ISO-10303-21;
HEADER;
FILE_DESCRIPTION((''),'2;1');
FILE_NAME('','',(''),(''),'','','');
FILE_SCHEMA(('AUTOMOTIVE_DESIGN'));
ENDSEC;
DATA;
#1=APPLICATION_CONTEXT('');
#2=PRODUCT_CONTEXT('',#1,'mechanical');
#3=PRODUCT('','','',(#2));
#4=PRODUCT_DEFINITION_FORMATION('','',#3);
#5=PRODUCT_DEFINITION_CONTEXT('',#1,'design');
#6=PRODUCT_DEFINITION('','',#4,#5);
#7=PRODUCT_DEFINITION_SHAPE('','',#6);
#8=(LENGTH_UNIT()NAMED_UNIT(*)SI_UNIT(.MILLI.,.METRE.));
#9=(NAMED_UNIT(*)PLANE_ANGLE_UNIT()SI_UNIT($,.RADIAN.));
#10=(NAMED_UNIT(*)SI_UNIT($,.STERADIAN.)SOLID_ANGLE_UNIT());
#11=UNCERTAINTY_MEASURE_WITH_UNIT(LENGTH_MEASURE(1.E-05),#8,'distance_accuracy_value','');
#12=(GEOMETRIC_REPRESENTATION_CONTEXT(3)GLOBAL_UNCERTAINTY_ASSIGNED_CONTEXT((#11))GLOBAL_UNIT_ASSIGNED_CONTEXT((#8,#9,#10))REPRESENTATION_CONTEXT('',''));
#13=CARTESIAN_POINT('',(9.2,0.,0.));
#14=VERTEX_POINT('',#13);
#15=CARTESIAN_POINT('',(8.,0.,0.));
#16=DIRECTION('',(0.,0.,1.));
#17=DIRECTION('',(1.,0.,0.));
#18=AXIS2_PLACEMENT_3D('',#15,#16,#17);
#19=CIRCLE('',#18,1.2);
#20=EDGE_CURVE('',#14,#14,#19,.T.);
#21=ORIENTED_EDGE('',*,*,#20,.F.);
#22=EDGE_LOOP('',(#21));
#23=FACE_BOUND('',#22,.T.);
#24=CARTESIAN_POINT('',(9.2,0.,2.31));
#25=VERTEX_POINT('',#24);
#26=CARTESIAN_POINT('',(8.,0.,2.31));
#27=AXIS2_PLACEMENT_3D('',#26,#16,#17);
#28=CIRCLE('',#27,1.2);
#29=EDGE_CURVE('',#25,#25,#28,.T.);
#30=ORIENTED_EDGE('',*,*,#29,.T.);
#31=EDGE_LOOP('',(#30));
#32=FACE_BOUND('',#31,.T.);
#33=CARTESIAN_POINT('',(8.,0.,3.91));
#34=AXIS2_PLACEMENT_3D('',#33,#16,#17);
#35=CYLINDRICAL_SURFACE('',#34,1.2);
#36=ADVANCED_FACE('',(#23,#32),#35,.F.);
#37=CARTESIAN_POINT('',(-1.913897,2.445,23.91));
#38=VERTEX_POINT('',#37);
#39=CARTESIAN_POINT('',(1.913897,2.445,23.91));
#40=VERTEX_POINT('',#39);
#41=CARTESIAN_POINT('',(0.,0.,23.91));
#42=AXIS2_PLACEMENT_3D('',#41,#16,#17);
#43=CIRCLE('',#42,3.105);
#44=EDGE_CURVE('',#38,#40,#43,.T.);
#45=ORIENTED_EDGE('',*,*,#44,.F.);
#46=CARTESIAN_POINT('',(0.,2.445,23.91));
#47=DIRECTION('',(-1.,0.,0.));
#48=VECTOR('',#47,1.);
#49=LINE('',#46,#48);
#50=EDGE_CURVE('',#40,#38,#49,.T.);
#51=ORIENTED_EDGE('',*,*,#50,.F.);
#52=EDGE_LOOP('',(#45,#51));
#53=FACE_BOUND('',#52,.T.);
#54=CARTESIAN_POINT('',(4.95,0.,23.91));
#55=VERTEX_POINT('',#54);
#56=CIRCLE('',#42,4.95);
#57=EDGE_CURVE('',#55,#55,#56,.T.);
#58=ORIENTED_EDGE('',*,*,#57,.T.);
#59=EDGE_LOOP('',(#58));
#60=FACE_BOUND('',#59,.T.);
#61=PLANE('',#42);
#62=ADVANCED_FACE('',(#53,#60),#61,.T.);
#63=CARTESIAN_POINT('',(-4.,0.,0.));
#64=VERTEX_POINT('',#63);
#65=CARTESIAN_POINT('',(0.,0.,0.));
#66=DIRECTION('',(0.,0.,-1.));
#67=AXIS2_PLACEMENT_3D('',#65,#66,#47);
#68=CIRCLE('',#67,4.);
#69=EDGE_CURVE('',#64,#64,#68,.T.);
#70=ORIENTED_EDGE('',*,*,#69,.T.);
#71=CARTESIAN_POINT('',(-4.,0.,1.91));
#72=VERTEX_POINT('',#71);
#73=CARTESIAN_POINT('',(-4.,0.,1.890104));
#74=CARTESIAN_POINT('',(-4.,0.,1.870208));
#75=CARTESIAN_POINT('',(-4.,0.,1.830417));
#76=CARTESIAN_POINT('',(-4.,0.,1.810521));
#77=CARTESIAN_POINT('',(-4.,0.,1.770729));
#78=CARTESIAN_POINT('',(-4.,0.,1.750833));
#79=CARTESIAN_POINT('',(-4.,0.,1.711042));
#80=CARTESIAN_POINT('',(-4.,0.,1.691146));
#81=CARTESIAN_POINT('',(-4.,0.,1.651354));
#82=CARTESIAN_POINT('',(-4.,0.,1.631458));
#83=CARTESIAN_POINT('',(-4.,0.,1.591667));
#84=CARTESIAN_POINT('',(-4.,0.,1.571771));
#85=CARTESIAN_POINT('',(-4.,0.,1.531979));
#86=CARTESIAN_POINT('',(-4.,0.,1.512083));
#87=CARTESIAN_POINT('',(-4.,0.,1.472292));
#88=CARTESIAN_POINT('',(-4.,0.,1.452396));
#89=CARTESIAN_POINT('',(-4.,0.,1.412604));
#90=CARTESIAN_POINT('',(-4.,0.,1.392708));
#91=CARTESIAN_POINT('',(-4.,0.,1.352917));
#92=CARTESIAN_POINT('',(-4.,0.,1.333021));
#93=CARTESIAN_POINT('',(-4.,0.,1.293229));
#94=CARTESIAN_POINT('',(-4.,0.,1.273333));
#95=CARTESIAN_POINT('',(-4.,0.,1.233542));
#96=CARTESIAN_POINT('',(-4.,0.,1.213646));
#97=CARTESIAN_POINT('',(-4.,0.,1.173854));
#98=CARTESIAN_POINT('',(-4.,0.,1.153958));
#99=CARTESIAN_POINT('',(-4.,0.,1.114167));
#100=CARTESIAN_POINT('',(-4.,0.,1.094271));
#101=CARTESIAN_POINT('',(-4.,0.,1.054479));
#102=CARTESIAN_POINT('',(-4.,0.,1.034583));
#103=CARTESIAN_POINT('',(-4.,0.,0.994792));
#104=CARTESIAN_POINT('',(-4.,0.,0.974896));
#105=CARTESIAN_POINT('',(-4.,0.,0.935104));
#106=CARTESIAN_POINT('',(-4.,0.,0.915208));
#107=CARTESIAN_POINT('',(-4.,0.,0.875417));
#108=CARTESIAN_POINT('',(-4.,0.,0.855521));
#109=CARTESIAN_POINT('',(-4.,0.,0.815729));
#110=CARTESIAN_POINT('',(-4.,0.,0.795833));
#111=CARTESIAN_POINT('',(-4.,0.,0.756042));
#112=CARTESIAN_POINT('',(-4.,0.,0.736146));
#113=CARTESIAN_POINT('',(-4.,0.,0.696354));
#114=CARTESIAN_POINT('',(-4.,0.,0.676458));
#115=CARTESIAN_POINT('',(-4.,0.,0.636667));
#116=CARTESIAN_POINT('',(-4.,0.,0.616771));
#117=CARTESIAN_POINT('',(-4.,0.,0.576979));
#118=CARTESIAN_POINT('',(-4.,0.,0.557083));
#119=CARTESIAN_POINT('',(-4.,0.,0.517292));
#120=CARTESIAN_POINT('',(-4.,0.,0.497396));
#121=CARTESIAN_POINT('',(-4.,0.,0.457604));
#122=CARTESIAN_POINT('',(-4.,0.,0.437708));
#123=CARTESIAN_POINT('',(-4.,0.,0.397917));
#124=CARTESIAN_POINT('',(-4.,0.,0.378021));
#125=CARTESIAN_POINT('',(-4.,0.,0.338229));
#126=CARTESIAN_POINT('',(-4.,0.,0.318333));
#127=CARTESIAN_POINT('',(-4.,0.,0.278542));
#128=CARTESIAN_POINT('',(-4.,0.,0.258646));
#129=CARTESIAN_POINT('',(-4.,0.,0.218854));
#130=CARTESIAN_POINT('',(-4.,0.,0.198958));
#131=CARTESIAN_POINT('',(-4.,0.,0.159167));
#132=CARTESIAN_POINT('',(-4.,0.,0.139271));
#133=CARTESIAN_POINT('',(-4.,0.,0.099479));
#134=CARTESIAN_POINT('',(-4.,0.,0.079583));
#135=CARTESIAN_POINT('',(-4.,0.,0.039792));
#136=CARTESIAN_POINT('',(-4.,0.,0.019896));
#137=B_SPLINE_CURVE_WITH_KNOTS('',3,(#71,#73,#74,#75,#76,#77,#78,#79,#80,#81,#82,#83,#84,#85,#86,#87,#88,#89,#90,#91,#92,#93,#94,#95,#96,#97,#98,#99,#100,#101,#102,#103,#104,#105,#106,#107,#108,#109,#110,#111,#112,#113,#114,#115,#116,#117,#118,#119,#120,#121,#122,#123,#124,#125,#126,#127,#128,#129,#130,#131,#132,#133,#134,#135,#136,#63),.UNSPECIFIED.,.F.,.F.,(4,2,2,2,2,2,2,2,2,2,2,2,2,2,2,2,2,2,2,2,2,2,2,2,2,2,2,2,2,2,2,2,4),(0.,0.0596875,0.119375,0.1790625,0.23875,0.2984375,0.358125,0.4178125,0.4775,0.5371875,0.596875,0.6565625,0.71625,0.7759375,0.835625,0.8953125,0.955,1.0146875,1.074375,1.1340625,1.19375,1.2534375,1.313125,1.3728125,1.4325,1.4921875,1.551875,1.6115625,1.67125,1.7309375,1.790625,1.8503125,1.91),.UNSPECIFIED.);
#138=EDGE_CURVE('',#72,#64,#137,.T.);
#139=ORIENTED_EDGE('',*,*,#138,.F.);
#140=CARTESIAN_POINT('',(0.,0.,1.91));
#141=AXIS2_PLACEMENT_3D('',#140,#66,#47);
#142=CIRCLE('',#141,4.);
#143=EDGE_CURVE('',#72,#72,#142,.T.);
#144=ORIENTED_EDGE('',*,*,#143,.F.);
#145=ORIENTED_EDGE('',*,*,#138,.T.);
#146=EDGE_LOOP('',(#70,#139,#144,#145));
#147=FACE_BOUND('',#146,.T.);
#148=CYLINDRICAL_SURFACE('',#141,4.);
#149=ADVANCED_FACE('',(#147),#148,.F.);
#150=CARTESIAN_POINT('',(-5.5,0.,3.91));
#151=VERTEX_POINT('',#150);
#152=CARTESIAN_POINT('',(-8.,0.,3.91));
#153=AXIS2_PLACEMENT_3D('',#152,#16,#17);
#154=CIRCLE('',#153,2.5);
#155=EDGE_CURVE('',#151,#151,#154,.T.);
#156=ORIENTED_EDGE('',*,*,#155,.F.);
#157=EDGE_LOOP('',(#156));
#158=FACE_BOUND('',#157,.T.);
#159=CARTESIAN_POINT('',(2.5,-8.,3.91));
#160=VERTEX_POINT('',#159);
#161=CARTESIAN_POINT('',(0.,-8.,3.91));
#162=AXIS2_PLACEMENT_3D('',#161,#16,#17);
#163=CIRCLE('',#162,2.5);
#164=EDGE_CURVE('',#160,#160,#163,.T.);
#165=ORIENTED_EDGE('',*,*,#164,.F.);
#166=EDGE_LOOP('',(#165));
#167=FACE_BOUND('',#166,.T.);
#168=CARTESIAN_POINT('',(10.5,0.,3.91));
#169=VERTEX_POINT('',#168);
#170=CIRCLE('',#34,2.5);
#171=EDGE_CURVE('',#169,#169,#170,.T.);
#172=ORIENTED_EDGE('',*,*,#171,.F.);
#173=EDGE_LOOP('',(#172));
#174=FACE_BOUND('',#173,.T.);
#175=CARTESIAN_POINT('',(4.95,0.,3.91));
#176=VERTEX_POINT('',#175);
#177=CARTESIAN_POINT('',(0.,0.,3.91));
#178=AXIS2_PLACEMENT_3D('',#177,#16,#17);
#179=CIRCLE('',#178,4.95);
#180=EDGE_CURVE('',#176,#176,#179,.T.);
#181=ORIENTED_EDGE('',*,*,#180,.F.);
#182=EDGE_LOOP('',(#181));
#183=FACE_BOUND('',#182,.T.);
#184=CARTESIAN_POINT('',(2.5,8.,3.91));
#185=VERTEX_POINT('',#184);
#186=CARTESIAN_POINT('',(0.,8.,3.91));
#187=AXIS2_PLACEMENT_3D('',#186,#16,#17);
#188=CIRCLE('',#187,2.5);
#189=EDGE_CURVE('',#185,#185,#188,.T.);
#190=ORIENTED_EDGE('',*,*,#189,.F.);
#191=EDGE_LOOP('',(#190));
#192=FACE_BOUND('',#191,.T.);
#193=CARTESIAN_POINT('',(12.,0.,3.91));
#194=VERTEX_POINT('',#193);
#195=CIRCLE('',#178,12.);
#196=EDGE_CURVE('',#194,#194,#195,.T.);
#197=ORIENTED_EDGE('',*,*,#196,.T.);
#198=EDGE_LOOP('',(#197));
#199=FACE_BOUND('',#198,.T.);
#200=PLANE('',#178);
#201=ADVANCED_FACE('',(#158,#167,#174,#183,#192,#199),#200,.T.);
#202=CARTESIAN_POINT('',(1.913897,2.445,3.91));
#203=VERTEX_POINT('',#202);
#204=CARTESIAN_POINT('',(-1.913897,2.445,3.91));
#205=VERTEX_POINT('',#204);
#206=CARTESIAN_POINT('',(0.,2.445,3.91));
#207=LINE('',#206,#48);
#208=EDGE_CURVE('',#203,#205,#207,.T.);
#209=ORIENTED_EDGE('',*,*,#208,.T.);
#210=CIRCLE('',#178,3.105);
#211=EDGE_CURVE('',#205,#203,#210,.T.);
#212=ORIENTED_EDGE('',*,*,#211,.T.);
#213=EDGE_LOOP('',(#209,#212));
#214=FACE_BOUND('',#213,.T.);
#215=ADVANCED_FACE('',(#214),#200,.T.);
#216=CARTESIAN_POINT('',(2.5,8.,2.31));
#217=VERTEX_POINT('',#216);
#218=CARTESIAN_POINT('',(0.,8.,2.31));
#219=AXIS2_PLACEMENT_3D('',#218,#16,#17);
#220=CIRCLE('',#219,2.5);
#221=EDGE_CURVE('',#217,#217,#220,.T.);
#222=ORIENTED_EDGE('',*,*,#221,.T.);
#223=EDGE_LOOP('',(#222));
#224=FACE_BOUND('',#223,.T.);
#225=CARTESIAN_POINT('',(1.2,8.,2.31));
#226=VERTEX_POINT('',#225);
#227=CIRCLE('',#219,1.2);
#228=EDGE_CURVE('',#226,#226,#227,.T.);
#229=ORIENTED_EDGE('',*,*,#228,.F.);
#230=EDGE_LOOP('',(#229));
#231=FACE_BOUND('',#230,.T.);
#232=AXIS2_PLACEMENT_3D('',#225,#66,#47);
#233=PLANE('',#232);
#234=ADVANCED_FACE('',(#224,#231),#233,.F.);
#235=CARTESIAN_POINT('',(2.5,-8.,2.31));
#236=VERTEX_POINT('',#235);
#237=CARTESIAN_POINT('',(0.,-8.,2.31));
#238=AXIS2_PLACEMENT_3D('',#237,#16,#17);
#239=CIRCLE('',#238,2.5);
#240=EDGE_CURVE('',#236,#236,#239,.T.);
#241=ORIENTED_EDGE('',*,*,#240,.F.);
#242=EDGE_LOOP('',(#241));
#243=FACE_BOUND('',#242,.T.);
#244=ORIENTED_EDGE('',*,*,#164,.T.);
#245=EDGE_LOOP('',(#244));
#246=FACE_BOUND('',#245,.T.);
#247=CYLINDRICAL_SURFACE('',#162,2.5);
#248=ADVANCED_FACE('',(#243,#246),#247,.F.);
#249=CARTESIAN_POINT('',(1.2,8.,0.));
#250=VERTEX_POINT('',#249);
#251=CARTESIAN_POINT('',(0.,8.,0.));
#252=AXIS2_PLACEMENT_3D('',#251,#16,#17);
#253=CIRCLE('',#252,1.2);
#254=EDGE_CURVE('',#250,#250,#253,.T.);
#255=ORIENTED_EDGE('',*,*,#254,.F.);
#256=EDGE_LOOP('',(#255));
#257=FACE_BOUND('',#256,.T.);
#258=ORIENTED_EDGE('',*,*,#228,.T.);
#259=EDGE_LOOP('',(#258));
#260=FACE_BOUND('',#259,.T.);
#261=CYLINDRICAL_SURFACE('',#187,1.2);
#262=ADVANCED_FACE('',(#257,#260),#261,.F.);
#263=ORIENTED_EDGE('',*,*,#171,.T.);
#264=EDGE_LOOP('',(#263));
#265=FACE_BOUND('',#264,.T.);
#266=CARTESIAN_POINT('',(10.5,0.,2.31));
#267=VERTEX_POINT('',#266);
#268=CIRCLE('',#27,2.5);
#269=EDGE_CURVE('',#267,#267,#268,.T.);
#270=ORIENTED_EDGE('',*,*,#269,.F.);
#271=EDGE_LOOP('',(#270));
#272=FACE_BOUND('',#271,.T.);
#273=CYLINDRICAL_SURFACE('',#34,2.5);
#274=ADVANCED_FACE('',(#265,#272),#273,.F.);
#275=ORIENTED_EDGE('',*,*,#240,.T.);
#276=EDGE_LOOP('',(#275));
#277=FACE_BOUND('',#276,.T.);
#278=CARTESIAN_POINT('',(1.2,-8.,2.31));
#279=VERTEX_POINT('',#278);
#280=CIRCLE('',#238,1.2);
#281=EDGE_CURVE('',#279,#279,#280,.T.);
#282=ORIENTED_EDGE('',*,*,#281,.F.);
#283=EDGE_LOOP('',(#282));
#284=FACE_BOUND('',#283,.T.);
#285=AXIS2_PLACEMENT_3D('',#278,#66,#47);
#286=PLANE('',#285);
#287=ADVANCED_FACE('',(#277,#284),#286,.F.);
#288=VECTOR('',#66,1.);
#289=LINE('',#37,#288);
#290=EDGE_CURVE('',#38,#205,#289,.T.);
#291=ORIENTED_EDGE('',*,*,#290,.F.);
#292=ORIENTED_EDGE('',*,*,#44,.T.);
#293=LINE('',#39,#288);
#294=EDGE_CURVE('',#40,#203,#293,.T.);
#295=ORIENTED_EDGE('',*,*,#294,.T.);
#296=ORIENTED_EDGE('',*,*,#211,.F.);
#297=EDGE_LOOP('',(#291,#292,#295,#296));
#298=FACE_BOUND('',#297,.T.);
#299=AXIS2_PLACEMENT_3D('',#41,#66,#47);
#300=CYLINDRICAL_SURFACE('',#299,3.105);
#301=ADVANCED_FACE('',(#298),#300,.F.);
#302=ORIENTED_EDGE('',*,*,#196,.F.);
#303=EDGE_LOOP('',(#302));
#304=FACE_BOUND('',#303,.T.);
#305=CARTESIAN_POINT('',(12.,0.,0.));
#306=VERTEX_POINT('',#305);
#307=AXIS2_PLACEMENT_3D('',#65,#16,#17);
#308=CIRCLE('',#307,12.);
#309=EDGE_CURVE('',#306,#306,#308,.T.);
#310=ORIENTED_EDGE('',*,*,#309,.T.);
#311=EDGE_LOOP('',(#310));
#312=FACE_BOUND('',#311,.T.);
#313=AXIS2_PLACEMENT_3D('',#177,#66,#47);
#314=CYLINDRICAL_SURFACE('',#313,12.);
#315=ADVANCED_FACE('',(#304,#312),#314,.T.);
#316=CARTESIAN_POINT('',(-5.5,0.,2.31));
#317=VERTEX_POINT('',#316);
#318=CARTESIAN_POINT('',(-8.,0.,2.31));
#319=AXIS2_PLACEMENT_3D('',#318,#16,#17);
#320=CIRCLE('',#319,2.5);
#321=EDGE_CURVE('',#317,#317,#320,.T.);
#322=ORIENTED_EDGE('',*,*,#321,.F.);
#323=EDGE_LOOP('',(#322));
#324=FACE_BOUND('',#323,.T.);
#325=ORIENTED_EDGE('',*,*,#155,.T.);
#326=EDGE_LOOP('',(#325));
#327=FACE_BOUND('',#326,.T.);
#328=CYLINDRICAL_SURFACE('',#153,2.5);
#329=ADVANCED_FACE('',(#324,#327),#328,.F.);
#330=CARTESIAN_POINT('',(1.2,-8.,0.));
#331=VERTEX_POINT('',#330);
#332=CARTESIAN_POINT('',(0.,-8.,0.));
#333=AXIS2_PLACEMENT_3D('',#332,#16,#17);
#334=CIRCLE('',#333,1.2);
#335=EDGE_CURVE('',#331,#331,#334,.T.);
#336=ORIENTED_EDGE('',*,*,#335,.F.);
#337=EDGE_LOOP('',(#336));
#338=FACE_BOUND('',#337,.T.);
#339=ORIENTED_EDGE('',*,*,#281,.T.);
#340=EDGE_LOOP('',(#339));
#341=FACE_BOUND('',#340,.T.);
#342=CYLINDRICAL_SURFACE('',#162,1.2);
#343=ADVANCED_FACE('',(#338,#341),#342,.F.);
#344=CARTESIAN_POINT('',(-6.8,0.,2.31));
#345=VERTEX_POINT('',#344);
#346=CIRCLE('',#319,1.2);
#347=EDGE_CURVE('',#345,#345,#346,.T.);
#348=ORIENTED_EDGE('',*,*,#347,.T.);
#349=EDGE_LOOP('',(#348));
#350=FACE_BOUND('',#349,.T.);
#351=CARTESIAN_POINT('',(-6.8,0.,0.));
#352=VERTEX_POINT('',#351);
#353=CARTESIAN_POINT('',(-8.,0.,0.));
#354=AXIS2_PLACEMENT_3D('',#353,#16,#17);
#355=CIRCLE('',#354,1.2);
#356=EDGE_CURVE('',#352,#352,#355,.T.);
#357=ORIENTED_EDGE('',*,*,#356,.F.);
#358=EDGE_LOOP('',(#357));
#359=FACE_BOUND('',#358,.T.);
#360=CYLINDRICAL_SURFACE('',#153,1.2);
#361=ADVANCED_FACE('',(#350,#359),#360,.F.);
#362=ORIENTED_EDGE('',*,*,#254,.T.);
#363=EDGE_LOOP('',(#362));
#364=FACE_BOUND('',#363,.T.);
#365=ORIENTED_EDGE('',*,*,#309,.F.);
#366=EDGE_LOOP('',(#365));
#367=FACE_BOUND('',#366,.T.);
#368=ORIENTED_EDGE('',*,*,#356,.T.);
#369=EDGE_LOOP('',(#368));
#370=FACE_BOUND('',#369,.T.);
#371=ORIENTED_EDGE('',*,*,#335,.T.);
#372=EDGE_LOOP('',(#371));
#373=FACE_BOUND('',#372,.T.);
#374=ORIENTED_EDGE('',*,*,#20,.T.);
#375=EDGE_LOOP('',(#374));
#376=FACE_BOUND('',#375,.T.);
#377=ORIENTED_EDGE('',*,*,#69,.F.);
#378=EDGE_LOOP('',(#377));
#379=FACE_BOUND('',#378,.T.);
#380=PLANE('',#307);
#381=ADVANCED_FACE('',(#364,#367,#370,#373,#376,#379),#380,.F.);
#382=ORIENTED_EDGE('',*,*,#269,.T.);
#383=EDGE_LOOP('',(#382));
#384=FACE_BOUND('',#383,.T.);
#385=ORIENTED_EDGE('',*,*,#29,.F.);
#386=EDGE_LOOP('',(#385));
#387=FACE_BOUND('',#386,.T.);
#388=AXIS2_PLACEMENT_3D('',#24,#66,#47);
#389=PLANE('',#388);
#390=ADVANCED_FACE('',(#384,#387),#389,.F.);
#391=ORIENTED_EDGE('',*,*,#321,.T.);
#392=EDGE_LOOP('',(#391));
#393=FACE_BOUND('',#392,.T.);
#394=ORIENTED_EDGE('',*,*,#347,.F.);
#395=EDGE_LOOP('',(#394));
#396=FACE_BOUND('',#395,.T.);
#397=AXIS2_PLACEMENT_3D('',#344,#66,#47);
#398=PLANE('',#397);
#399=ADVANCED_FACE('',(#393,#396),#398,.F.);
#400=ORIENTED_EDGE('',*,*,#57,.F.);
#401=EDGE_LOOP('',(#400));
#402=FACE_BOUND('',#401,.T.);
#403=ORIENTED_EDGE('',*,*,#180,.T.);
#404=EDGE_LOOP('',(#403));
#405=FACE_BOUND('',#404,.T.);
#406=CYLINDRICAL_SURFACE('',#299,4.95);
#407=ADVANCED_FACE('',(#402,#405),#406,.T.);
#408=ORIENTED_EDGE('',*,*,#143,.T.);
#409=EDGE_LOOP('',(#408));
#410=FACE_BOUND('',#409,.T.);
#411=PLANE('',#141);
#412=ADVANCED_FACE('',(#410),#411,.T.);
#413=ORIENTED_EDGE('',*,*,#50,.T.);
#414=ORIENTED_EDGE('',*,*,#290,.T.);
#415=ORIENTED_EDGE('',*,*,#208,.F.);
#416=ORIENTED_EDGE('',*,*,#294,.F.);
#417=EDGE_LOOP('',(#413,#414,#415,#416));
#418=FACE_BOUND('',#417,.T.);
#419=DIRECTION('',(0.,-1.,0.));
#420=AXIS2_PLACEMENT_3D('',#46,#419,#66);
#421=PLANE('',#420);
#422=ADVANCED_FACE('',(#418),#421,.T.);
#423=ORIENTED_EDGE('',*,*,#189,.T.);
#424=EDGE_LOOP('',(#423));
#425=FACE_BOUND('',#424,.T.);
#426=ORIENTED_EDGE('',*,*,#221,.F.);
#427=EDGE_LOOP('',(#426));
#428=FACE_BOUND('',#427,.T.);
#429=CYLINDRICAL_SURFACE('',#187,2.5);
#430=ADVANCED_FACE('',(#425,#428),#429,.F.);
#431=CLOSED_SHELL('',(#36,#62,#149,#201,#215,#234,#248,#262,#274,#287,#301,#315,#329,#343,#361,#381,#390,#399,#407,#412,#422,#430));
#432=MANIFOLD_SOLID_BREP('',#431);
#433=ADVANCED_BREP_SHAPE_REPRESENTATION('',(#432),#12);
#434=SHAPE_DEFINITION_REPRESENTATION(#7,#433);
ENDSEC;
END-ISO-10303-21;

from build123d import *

# Parameters (mm, degrees)
ESQUISSE1_R                                        = 12
BOSS_EXTRU_1_DEPTH                                 = 3.91
ESQUISSE6_R                                        = 4
ENL_V_MAT_EXTRU_2_DEPTH                            = 1.91
ESQUISSE7_R                                        = 4.95
BOSS_EXTRU_2_DEPTH                                 = 20
CHAMBRAGE_POUR_VIS_T_TE_RONDE_BOMB_E_M_D           = 2.4
CHAMBRAGE_POUR_VIS_T_TE_RONDE_BOMB_E_M_CBORE_D     = 5
CHAMBRAGE_POUR_VIS_T_TE_RONDE_BOMB_E_M_CBORE_DEPTH = 1.6
R_P_TITION_CIRCULAIRE2_COUNT                       = 4


with BuildPart() as part:
    # Esquisse1 → Boss.-Extru.1 (new body)
    with BuildSketch(Plane.XY):
        Circle(ESQUISSE1_R)
    extrude(amount=BOSS_EXTRU_1_DEPTH)

    # Esquisse6 → Enlèv. mat.-Extru.2 (cut)
    with BuildSketch(Plane(origin=(0, 0, 0), x_dir=(-1, 0, 0), z_dir=(0, 0, -1))):
        Circle(ESQUISSE6_R)
    extrude(amount=-ENL_V_MAT_EXTRU_2_DEPTH, mode=Mode.SUBTRACT)

    # Esquisse7 → Boss.-Extru.2 (add)
    with BuildSketch(Plane.XY.offset(3.91)):
        Circle(ESQUISSE7_R)
        with BuildLine():
            Line((1.913896549, 2.445), (-1.913896549, 2.445))
            ThreePointArc((-1.913896549, 2.445), (0, -3.105), (1.913896549, 2.445))
        make_face(mode=Mode.SUBTRACT)
    extrude(amount=BOSS_EXTRU_2_DEPTH)

    # Chambrage pour vis à tête ronde bombée M21 (through all)
    with Locations(Plane.XY.offset(3.91)):
        with Locations((0, 8)):
            chambrage_pour_vis_t_te_ronde_bomb_e_m = CounterBoreHole(CHAMBRAGE_POUR_VIS_T_TE_RONDE_BOMB_E_M_D / 2, CHAMBRAGE_POUR_VIS_T_TE_RONDE_BOMB_E_M_CBORE_D / 2, CHAMBRAGE_POUR_VIS_T_TE_RONDE_BOMB_E_M_CBORE_DEPTH)

    # Répétition circulaire2: Chambrage pour vis à tête ronde bombée M21 ×4 about axis
    r_p_tition_circulaire2_axis = Axis((0, 0, 0), (0, 0, 1))
    for i in range(1, R_P_TITION_CIRCULAIRE2_COUNT):
        add(chambrage_pour_vis_t_te_ronde_bomb_e_m.rotate(r_p_tition_circulaire2_axis, i * 360 / R_P_TITION_CIRCULAIRE2_COUNT), mode=Mode.SUBTRACT)


solid = part.part
